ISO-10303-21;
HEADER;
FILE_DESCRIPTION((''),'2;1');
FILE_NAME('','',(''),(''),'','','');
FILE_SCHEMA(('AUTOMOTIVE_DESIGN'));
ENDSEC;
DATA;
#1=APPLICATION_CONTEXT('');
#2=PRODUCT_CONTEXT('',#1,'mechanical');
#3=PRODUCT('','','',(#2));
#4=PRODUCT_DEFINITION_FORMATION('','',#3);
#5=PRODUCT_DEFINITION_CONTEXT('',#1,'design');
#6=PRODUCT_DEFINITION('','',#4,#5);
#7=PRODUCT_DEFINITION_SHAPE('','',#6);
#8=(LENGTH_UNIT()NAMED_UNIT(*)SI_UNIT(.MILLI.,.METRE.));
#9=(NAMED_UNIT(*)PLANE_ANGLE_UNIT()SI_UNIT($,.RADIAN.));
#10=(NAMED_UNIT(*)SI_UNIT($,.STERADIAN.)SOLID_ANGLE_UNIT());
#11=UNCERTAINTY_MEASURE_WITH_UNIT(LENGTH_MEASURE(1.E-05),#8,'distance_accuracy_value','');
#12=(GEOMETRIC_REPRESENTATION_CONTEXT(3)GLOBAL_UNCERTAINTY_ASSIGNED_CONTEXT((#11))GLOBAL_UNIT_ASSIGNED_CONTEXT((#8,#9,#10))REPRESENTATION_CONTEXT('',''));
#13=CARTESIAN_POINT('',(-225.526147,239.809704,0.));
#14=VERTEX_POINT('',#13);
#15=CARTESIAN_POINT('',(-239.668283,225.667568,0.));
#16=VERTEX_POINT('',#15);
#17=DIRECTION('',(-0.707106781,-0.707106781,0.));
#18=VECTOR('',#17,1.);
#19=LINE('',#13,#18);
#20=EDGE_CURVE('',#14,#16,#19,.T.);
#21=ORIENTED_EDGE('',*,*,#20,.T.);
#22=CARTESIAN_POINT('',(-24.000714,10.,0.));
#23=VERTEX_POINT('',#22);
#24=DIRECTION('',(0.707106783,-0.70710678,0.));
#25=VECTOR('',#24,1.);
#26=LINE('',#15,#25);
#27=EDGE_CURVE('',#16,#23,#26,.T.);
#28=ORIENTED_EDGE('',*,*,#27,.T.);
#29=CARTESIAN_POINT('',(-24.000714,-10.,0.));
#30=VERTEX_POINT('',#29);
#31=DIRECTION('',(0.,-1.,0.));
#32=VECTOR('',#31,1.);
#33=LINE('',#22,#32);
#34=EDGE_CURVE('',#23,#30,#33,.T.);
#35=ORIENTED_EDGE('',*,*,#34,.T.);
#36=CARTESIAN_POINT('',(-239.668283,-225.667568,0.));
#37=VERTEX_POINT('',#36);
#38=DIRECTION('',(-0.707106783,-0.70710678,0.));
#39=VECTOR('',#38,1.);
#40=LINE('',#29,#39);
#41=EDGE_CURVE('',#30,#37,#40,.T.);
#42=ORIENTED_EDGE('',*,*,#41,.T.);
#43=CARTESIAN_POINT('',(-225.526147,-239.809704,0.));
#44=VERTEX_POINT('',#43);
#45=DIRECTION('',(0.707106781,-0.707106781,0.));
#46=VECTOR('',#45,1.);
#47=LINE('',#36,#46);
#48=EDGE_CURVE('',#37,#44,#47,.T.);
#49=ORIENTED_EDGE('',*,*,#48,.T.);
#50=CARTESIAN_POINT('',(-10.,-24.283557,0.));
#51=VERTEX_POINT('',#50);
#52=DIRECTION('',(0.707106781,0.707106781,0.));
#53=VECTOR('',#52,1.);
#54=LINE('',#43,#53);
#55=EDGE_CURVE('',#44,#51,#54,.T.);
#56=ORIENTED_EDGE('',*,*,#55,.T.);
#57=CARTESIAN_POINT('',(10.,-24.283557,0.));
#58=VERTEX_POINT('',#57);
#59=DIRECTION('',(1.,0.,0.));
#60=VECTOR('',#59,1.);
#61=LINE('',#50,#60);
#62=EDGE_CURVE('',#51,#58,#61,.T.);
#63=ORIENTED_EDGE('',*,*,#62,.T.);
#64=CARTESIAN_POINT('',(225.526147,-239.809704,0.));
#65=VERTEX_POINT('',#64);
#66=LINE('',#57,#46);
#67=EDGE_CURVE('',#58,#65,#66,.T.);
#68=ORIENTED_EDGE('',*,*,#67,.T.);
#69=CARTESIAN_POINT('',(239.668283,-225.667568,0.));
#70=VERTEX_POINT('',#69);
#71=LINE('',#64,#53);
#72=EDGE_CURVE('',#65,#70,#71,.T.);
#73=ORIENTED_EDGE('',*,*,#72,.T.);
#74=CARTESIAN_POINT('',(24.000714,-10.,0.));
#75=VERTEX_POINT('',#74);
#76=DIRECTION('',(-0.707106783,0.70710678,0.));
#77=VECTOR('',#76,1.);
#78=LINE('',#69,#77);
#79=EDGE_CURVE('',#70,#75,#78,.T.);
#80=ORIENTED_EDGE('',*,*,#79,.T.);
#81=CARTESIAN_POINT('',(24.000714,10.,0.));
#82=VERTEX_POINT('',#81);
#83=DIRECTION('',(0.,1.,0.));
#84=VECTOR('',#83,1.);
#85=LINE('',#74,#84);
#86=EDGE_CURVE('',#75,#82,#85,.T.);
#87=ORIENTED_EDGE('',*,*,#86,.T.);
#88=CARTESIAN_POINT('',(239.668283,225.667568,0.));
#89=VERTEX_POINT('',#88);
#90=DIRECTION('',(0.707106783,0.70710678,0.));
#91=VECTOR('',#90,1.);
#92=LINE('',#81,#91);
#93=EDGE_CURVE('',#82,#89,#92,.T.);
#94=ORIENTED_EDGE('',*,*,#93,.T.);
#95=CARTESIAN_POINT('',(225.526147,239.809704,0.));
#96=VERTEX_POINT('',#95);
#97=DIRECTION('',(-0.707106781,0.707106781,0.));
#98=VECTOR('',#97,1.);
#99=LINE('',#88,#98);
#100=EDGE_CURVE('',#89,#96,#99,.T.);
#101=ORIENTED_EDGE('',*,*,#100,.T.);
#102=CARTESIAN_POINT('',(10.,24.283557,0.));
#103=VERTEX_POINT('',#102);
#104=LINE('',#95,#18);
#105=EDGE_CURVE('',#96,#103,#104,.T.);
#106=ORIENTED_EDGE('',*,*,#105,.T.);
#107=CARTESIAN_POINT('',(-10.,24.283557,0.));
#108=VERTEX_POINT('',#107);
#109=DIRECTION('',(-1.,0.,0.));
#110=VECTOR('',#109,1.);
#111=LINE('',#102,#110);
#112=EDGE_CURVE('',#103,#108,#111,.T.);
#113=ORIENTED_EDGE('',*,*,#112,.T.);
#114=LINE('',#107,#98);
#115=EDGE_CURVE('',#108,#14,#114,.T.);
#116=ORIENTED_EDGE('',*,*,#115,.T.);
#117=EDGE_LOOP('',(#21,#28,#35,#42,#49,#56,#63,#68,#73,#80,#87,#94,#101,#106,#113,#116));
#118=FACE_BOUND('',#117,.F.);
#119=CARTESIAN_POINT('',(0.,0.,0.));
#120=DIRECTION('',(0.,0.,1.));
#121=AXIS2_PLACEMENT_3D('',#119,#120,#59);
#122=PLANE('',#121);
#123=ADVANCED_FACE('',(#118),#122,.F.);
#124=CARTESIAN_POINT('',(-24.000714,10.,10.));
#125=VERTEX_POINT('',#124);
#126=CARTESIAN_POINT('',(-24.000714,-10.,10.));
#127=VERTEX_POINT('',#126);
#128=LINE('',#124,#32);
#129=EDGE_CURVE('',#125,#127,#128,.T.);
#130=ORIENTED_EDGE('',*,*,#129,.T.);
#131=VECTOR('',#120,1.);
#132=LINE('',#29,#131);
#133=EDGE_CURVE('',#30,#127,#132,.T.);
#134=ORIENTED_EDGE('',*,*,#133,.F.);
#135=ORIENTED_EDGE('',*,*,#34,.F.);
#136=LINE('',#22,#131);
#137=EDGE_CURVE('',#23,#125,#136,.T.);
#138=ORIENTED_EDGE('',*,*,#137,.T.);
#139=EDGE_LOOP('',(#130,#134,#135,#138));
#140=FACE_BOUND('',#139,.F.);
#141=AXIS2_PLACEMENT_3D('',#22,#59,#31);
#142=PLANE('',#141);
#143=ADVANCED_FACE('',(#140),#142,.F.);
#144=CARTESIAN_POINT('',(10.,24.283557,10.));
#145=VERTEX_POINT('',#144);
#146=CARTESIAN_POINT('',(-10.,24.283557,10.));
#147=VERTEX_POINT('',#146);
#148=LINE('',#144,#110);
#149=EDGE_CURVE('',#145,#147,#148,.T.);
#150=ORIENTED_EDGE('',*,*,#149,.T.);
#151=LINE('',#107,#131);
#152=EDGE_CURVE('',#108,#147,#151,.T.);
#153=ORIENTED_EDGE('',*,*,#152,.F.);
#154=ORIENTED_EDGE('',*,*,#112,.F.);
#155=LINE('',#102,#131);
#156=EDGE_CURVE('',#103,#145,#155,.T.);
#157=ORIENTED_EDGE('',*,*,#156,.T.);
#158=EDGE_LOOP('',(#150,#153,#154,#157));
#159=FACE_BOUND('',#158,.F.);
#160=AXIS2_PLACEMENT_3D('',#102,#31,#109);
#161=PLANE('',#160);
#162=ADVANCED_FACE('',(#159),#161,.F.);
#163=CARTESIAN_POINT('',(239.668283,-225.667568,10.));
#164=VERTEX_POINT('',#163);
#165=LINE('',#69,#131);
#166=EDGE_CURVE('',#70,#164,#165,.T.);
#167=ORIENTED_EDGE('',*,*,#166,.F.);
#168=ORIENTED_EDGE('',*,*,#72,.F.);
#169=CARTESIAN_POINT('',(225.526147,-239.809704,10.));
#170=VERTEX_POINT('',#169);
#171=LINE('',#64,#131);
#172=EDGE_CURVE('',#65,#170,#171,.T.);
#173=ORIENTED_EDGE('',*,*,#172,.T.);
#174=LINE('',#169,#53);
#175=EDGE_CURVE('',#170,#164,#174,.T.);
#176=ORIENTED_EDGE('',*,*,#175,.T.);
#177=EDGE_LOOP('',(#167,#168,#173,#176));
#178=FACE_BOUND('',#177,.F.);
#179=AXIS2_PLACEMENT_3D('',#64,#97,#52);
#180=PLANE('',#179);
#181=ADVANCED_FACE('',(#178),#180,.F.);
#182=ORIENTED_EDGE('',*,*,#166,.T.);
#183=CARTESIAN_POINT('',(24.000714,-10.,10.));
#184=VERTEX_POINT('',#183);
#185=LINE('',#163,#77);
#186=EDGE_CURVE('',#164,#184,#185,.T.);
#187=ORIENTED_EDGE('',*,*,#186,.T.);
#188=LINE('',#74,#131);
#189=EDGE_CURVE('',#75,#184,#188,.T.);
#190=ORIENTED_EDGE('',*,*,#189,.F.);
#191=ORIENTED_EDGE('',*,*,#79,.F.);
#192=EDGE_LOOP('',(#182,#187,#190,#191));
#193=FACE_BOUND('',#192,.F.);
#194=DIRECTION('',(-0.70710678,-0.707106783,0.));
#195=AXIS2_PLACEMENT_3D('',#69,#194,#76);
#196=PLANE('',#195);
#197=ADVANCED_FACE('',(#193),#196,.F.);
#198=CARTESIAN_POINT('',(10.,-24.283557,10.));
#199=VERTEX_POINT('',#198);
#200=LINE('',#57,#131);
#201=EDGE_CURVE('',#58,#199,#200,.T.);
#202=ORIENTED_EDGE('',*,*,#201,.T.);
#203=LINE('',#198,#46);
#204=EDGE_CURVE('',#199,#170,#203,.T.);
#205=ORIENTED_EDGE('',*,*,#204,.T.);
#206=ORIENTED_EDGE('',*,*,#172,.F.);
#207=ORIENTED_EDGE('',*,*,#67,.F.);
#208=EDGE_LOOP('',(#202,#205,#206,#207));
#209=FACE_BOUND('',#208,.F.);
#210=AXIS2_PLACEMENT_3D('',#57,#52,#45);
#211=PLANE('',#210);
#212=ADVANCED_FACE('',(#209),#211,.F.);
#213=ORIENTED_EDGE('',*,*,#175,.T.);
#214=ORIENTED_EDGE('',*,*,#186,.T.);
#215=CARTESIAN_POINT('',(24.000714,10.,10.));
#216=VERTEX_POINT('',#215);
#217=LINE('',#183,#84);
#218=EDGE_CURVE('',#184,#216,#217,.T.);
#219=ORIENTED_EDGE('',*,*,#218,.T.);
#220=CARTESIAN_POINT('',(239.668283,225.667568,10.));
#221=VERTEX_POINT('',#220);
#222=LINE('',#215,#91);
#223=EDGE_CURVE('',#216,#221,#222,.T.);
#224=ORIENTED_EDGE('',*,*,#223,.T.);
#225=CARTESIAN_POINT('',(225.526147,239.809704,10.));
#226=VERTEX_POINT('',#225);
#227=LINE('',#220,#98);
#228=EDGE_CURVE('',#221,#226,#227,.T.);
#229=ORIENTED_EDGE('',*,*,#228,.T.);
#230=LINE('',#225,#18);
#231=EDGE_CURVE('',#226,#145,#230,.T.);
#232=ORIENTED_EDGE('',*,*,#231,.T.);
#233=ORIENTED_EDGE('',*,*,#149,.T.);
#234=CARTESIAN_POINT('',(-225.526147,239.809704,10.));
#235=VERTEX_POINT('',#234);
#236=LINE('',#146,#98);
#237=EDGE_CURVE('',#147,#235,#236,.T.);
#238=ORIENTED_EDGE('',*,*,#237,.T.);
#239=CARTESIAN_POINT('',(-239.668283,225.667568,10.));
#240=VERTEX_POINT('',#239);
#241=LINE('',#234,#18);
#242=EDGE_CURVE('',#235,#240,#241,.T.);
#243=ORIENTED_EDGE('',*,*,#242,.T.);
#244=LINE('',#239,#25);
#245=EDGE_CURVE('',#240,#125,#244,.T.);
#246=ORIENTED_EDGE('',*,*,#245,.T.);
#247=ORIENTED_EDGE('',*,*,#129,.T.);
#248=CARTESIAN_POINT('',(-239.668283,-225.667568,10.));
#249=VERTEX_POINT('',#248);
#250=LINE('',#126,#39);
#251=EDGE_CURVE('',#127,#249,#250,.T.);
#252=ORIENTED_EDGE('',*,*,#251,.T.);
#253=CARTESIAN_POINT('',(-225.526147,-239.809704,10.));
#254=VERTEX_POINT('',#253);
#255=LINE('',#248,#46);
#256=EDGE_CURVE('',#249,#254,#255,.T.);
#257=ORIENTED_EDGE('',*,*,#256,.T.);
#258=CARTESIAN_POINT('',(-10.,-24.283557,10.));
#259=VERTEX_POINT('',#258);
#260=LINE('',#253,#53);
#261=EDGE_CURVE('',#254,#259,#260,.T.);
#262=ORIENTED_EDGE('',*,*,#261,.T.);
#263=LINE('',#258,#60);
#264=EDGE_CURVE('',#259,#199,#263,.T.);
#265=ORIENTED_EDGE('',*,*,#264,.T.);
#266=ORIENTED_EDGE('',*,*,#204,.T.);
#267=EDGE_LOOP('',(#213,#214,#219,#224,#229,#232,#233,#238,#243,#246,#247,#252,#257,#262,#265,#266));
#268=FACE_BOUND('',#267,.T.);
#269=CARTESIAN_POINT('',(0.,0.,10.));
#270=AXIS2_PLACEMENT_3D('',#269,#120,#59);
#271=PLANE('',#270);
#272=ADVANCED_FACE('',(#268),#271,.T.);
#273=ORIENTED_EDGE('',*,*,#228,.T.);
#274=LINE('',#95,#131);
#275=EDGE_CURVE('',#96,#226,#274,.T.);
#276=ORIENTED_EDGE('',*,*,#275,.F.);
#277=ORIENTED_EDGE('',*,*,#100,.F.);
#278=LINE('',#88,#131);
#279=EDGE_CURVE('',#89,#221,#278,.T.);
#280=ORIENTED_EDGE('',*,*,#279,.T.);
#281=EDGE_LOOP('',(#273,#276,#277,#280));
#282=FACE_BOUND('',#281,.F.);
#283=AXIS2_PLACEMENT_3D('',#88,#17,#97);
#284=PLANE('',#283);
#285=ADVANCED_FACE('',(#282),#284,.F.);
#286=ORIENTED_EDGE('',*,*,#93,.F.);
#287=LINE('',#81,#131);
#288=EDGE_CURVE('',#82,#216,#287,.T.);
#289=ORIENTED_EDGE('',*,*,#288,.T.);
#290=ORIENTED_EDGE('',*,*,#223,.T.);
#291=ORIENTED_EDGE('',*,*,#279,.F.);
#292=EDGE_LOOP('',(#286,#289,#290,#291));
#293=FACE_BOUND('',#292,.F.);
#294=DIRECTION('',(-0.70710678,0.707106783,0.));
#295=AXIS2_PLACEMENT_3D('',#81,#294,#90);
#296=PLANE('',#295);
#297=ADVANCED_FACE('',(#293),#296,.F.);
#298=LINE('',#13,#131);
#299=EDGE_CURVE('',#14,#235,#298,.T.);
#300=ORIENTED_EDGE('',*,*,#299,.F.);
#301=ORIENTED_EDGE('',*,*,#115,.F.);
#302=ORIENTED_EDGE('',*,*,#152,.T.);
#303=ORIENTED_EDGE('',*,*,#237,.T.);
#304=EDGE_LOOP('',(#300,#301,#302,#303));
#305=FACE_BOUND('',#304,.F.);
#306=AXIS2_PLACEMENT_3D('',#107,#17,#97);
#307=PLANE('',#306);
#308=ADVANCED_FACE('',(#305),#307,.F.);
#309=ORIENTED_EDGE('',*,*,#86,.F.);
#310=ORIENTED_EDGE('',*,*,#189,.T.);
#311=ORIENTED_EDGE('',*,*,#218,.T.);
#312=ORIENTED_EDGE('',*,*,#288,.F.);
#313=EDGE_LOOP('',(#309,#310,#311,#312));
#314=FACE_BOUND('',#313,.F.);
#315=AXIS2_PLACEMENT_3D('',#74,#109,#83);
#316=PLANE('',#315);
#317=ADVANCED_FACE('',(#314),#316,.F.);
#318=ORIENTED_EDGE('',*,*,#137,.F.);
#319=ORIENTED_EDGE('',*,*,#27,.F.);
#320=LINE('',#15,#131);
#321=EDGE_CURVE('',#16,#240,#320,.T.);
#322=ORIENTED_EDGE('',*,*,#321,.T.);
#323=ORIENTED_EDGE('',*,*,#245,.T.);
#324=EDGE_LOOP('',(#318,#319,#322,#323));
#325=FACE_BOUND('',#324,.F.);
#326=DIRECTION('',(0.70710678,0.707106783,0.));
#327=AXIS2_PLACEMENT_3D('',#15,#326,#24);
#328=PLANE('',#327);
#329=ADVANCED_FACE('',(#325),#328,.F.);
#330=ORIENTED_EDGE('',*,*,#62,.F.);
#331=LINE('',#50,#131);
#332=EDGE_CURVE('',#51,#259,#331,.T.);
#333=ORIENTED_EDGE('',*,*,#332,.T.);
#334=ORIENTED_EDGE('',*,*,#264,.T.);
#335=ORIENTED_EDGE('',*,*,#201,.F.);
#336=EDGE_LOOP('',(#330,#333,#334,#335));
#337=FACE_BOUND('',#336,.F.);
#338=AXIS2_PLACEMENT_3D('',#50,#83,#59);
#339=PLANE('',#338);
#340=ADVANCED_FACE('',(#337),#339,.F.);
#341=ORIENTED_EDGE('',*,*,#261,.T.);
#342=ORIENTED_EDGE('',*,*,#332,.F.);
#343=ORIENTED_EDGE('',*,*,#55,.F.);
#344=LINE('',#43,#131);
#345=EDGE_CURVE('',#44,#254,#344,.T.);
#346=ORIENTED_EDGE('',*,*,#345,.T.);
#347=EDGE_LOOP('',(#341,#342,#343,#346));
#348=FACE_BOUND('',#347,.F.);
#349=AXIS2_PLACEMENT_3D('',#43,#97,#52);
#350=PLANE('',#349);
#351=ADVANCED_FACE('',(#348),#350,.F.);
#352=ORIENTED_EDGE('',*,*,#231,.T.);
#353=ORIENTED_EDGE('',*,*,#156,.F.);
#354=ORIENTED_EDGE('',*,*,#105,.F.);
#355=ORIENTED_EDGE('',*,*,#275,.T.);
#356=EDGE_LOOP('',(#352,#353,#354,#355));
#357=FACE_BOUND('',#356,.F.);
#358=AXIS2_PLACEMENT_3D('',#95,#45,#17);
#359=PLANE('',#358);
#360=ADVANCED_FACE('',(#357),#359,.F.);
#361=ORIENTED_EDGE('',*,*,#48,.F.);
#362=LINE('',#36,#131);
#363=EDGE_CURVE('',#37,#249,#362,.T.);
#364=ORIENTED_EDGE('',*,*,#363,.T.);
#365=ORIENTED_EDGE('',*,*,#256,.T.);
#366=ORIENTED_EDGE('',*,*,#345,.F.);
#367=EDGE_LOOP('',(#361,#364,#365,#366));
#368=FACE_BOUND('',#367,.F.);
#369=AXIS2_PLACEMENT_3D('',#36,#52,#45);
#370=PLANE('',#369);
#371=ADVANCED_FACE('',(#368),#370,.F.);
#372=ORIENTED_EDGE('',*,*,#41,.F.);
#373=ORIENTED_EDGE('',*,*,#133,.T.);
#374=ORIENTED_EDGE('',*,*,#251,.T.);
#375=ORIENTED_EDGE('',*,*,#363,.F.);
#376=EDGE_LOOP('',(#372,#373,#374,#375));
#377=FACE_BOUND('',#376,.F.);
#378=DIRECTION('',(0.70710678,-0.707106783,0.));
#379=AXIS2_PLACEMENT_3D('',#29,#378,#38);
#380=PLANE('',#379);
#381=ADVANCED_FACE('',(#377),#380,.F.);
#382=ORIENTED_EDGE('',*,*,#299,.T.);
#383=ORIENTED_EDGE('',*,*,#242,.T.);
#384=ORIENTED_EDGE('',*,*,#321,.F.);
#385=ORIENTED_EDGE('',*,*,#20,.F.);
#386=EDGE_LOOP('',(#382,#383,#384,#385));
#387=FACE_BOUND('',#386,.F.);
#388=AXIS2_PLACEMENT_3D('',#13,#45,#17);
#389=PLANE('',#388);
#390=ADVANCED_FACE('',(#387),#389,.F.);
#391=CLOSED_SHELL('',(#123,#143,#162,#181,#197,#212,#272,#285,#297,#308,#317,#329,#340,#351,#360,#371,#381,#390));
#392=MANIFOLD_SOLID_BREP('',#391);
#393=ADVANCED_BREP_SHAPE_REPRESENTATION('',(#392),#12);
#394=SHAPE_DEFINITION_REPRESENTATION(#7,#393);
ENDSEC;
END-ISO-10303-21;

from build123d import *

# Parameters (mm, degrees)
F1_DEPTH = 10


with BuildPart() as f1:
    # F0 (on Top) → F1 (new body)
    with BuildSketch(Plane.XY):
        Polygon((10, 24.283557), (-10, 24.283557), (-225.526147, 239.809704), (-239.668283, 225.667568), (-24.000714, 10), (-24.000714, -10), (-239.668283, -225.667568), (-225.526147, -239.809704), (-10, -24.283557), (10, -24.283557), (225.526147, -239.809704), (239.668283, -225.667568), (24.000714, -10), (24.000714, 10), (239.668283, 225.667568), (225.526147, 239.809704), align=None)
    extrude(amount=F1_DEPTH)


solid = f1.part
